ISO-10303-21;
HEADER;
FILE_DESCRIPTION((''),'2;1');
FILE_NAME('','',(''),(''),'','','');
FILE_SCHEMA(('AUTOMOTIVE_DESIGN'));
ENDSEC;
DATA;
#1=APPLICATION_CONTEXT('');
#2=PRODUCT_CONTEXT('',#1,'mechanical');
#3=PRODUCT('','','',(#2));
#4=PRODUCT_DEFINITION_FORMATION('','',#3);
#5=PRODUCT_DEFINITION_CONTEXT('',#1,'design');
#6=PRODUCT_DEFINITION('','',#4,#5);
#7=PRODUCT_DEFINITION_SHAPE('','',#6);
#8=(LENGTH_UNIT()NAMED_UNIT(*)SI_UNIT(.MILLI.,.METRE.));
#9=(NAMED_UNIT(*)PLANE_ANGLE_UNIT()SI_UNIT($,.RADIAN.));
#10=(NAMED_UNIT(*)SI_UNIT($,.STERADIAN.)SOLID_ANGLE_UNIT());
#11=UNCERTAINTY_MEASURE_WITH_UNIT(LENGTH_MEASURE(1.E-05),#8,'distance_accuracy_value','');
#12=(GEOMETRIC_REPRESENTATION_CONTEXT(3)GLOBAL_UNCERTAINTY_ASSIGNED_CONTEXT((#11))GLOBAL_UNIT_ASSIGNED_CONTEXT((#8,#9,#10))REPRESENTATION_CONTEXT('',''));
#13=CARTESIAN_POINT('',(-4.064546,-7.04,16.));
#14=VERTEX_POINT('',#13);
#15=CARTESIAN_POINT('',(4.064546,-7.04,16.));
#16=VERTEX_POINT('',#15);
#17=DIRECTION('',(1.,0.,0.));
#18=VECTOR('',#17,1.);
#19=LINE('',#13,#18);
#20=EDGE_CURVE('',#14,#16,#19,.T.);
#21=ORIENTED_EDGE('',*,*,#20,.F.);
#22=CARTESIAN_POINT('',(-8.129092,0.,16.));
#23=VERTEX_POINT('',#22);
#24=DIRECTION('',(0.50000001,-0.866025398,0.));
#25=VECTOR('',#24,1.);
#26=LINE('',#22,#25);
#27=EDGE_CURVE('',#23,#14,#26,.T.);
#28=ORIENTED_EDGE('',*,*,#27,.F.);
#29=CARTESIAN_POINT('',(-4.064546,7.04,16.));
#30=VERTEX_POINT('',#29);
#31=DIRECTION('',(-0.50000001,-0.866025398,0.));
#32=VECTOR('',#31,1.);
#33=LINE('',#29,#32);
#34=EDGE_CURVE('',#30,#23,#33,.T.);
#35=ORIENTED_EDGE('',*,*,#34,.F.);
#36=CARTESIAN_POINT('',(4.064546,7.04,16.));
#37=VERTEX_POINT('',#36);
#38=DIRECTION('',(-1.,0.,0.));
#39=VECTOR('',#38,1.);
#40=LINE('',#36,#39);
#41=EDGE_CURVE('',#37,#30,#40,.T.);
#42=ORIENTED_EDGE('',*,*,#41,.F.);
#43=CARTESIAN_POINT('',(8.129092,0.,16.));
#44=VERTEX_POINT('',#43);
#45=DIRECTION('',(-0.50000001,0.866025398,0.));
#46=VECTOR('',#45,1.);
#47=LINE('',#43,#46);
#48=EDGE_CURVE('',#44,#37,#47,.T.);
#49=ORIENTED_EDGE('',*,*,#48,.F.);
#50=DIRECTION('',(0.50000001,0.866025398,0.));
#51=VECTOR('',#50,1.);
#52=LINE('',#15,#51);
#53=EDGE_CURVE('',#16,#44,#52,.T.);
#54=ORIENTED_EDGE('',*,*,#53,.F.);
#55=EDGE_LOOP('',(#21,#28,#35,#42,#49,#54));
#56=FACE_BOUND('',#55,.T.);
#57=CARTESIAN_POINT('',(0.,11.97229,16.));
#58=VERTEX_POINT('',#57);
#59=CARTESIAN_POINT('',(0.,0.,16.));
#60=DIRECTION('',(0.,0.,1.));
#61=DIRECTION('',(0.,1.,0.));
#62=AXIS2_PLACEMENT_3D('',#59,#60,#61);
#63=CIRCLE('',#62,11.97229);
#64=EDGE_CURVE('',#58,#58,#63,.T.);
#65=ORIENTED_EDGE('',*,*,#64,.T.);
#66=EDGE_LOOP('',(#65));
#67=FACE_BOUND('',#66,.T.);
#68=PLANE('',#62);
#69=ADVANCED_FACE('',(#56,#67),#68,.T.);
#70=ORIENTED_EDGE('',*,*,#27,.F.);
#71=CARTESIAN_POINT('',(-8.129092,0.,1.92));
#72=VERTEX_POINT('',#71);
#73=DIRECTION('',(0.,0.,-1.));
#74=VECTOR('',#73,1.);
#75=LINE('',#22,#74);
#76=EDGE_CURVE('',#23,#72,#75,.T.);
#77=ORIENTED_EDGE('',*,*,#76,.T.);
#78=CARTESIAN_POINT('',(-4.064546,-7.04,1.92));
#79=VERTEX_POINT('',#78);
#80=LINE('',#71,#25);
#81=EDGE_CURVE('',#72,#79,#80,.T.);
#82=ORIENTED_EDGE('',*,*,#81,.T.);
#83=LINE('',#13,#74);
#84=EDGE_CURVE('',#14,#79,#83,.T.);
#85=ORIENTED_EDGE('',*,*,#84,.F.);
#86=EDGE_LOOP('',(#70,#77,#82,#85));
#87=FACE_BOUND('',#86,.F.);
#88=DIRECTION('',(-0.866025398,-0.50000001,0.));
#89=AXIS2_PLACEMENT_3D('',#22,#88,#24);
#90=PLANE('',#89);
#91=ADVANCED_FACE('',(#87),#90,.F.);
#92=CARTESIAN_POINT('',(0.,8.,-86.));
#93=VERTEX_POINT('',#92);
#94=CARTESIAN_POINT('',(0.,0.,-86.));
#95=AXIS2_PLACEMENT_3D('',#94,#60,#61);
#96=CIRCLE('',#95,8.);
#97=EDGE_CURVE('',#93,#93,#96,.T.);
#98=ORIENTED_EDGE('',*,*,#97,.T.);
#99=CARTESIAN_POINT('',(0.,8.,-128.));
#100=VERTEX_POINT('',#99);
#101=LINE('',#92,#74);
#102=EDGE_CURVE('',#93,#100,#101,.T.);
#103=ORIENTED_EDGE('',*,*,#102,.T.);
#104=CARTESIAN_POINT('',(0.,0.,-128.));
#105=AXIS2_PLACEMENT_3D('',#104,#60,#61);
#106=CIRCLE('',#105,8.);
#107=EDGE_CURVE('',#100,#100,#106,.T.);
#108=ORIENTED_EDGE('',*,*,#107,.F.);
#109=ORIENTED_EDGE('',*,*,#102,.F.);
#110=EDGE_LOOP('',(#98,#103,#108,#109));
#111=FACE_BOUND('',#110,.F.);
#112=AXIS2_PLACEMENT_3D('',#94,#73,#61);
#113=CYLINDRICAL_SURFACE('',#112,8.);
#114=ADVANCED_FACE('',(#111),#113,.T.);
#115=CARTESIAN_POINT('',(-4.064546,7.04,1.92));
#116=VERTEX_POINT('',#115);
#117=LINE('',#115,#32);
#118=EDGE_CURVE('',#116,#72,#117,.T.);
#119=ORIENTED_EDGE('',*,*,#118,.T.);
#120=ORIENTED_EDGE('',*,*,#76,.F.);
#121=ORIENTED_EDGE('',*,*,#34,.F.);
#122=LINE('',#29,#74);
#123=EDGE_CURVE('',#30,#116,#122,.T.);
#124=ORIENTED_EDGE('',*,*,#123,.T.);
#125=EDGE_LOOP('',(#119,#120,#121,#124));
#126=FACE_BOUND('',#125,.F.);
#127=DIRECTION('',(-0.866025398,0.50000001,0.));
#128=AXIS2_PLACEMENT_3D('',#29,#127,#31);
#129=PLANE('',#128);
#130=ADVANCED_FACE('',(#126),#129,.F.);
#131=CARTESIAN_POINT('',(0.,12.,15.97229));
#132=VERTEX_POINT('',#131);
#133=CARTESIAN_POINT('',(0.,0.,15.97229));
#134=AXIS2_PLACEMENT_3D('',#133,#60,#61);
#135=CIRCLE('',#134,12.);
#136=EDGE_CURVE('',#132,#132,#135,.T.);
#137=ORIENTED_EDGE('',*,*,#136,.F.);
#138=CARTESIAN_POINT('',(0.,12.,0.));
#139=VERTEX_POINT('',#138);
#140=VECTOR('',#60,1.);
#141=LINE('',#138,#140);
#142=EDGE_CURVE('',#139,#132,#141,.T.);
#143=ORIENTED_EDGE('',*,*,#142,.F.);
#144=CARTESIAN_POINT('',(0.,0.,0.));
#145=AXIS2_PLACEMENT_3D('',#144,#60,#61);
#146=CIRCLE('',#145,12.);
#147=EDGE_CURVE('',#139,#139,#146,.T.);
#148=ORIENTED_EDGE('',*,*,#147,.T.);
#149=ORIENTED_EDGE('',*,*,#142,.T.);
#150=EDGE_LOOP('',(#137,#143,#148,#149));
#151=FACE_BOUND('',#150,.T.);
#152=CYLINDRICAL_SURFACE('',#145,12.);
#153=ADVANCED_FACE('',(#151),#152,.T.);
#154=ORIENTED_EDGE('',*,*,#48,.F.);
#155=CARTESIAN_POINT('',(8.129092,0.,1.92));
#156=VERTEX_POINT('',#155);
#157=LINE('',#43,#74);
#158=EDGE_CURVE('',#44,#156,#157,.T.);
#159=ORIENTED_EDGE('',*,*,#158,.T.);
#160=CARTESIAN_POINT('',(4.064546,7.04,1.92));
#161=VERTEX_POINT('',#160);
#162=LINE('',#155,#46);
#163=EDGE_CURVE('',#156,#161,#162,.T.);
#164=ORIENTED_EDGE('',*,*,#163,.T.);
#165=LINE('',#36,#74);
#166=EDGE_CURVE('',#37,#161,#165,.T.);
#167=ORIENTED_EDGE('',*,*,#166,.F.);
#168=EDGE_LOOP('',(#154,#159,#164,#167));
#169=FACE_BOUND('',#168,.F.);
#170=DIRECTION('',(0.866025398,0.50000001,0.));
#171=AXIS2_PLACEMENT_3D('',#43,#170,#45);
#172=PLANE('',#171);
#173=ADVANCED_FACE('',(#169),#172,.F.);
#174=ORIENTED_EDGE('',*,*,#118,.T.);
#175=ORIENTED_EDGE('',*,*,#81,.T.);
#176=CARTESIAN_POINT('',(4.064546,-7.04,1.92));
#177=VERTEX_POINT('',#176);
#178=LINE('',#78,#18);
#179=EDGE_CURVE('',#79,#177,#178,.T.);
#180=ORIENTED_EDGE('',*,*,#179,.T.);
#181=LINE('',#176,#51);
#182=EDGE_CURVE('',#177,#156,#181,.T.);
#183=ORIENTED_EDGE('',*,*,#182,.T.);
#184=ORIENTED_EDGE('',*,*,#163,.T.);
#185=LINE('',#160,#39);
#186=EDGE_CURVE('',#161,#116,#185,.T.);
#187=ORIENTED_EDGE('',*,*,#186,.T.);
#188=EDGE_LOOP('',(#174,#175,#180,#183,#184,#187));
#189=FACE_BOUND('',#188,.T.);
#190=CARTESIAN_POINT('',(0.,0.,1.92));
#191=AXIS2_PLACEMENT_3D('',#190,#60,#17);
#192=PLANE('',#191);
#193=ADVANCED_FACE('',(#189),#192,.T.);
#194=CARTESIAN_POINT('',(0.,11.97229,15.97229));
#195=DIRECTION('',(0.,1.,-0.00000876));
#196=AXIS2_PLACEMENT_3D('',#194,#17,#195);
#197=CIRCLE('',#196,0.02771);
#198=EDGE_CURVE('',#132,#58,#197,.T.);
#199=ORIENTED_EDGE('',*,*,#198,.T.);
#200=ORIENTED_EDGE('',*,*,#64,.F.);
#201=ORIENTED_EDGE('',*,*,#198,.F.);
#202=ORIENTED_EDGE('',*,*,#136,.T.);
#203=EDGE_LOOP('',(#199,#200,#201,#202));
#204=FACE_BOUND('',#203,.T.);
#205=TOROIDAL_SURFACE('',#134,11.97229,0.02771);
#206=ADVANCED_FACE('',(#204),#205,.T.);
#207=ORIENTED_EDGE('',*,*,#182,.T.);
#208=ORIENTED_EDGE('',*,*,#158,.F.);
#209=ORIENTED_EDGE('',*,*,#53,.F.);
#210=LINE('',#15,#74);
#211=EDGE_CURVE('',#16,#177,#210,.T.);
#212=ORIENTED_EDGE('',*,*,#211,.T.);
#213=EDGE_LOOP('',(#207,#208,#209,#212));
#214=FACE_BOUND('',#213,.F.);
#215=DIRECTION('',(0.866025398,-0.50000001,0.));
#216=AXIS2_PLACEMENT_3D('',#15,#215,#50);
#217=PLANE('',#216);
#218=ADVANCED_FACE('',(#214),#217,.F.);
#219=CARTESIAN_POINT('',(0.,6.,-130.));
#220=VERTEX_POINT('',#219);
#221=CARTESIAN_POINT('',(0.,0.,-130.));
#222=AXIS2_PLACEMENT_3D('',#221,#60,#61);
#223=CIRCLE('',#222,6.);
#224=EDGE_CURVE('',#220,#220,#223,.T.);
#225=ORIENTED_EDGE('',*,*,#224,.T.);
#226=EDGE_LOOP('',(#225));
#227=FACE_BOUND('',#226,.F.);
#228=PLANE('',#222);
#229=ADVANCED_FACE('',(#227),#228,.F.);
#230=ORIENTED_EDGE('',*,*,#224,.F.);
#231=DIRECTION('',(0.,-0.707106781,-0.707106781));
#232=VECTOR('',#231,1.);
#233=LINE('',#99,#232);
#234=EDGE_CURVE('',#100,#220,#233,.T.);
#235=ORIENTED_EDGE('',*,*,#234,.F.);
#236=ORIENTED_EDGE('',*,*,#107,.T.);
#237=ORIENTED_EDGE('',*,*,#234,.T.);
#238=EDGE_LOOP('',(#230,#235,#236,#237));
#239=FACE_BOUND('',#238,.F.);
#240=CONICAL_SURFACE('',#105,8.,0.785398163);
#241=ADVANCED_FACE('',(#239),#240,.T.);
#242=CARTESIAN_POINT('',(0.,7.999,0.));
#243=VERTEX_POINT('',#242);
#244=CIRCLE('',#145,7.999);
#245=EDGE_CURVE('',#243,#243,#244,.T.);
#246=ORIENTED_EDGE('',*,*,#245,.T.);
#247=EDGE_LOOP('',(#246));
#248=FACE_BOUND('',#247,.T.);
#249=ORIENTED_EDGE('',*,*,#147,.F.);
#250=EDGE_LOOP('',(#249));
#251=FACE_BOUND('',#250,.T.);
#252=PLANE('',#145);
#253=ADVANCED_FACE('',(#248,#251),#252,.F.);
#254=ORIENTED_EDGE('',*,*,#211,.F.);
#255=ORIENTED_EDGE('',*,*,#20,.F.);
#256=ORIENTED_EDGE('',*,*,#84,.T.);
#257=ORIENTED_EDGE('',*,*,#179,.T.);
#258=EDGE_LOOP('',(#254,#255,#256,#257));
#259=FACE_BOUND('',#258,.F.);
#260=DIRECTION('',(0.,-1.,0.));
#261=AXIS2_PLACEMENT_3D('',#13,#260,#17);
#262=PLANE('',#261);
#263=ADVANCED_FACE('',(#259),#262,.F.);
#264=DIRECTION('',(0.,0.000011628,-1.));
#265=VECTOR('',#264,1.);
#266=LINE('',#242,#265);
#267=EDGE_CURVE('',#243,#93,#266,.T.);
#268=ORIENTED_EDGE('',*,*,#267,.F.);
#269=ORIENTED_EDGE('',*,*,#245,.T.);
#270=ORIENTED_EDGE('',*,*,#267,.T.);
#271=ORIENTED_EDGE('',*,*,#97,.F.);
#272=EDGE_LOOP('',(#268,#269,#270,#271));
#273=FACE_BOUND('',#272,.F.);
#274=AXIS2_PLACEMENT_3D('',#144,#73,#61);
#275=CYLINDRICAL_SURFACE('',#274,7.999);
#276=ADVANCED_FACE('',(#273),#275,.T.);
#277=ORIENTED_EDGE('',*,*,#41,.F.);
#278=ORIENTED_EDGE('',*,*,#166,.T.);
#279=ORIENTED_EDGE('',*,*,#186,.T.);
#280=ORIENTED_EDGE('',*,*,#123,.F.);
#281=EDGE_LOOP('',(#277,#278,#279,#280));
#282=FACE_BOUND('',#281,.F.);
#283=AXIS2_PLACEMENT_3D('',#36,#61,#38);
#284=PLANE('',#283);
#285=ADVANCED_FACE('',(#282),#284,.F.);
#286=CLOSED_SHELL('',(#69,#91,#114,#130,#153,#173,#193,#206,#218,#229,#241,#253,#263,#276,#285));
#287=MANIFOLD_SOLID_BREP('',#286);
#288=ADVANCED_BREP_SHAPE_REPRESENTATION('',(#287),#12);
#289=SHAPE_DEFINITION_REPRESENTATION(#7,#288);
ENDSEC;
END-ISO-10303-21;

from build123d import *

# Parameters (mm, degrees)
POCKET_DEPTH = 14.08


with BuildPart() as part:
    # Sketch → Revolve (revolve)
    with BuildSketch(Plane.YZ):
        with BuildLine():
            Line((7.999, 0), (12, 0))
            Line((12, 0), (12, 15.97229))
            ThreePointArc((12, 15.97229), (11.991884, 15.991884), (11.97229, 16))
            Line((11.97229, 16), (0, 16))
            Line((0, -130), (0, 16))
            Line((6, -130), (0, -130))
            Line((8, -128), (6, -130))
            Line((8, -86), (8, -128))
            Line((7.999, 0), (8, -86))
        make_face()
    revolve(axis=Axis((0, 0, 0), (0, 0, 1)))

    # Sketch001 → Pocket (cut)
    with BuildSketch(Plane.XY.offset(16)):
        Polygon((8.129092, 0), (4.064546, 7.04), (-4.064546, 7.04), (-8.129092, 0), (-4.064546, -7.04), (4.064546, -7.04), align=None)
    extrude(amount=-POCKET_DEPTH, mode=Mode.SUBTRACT)


solid = part.part
